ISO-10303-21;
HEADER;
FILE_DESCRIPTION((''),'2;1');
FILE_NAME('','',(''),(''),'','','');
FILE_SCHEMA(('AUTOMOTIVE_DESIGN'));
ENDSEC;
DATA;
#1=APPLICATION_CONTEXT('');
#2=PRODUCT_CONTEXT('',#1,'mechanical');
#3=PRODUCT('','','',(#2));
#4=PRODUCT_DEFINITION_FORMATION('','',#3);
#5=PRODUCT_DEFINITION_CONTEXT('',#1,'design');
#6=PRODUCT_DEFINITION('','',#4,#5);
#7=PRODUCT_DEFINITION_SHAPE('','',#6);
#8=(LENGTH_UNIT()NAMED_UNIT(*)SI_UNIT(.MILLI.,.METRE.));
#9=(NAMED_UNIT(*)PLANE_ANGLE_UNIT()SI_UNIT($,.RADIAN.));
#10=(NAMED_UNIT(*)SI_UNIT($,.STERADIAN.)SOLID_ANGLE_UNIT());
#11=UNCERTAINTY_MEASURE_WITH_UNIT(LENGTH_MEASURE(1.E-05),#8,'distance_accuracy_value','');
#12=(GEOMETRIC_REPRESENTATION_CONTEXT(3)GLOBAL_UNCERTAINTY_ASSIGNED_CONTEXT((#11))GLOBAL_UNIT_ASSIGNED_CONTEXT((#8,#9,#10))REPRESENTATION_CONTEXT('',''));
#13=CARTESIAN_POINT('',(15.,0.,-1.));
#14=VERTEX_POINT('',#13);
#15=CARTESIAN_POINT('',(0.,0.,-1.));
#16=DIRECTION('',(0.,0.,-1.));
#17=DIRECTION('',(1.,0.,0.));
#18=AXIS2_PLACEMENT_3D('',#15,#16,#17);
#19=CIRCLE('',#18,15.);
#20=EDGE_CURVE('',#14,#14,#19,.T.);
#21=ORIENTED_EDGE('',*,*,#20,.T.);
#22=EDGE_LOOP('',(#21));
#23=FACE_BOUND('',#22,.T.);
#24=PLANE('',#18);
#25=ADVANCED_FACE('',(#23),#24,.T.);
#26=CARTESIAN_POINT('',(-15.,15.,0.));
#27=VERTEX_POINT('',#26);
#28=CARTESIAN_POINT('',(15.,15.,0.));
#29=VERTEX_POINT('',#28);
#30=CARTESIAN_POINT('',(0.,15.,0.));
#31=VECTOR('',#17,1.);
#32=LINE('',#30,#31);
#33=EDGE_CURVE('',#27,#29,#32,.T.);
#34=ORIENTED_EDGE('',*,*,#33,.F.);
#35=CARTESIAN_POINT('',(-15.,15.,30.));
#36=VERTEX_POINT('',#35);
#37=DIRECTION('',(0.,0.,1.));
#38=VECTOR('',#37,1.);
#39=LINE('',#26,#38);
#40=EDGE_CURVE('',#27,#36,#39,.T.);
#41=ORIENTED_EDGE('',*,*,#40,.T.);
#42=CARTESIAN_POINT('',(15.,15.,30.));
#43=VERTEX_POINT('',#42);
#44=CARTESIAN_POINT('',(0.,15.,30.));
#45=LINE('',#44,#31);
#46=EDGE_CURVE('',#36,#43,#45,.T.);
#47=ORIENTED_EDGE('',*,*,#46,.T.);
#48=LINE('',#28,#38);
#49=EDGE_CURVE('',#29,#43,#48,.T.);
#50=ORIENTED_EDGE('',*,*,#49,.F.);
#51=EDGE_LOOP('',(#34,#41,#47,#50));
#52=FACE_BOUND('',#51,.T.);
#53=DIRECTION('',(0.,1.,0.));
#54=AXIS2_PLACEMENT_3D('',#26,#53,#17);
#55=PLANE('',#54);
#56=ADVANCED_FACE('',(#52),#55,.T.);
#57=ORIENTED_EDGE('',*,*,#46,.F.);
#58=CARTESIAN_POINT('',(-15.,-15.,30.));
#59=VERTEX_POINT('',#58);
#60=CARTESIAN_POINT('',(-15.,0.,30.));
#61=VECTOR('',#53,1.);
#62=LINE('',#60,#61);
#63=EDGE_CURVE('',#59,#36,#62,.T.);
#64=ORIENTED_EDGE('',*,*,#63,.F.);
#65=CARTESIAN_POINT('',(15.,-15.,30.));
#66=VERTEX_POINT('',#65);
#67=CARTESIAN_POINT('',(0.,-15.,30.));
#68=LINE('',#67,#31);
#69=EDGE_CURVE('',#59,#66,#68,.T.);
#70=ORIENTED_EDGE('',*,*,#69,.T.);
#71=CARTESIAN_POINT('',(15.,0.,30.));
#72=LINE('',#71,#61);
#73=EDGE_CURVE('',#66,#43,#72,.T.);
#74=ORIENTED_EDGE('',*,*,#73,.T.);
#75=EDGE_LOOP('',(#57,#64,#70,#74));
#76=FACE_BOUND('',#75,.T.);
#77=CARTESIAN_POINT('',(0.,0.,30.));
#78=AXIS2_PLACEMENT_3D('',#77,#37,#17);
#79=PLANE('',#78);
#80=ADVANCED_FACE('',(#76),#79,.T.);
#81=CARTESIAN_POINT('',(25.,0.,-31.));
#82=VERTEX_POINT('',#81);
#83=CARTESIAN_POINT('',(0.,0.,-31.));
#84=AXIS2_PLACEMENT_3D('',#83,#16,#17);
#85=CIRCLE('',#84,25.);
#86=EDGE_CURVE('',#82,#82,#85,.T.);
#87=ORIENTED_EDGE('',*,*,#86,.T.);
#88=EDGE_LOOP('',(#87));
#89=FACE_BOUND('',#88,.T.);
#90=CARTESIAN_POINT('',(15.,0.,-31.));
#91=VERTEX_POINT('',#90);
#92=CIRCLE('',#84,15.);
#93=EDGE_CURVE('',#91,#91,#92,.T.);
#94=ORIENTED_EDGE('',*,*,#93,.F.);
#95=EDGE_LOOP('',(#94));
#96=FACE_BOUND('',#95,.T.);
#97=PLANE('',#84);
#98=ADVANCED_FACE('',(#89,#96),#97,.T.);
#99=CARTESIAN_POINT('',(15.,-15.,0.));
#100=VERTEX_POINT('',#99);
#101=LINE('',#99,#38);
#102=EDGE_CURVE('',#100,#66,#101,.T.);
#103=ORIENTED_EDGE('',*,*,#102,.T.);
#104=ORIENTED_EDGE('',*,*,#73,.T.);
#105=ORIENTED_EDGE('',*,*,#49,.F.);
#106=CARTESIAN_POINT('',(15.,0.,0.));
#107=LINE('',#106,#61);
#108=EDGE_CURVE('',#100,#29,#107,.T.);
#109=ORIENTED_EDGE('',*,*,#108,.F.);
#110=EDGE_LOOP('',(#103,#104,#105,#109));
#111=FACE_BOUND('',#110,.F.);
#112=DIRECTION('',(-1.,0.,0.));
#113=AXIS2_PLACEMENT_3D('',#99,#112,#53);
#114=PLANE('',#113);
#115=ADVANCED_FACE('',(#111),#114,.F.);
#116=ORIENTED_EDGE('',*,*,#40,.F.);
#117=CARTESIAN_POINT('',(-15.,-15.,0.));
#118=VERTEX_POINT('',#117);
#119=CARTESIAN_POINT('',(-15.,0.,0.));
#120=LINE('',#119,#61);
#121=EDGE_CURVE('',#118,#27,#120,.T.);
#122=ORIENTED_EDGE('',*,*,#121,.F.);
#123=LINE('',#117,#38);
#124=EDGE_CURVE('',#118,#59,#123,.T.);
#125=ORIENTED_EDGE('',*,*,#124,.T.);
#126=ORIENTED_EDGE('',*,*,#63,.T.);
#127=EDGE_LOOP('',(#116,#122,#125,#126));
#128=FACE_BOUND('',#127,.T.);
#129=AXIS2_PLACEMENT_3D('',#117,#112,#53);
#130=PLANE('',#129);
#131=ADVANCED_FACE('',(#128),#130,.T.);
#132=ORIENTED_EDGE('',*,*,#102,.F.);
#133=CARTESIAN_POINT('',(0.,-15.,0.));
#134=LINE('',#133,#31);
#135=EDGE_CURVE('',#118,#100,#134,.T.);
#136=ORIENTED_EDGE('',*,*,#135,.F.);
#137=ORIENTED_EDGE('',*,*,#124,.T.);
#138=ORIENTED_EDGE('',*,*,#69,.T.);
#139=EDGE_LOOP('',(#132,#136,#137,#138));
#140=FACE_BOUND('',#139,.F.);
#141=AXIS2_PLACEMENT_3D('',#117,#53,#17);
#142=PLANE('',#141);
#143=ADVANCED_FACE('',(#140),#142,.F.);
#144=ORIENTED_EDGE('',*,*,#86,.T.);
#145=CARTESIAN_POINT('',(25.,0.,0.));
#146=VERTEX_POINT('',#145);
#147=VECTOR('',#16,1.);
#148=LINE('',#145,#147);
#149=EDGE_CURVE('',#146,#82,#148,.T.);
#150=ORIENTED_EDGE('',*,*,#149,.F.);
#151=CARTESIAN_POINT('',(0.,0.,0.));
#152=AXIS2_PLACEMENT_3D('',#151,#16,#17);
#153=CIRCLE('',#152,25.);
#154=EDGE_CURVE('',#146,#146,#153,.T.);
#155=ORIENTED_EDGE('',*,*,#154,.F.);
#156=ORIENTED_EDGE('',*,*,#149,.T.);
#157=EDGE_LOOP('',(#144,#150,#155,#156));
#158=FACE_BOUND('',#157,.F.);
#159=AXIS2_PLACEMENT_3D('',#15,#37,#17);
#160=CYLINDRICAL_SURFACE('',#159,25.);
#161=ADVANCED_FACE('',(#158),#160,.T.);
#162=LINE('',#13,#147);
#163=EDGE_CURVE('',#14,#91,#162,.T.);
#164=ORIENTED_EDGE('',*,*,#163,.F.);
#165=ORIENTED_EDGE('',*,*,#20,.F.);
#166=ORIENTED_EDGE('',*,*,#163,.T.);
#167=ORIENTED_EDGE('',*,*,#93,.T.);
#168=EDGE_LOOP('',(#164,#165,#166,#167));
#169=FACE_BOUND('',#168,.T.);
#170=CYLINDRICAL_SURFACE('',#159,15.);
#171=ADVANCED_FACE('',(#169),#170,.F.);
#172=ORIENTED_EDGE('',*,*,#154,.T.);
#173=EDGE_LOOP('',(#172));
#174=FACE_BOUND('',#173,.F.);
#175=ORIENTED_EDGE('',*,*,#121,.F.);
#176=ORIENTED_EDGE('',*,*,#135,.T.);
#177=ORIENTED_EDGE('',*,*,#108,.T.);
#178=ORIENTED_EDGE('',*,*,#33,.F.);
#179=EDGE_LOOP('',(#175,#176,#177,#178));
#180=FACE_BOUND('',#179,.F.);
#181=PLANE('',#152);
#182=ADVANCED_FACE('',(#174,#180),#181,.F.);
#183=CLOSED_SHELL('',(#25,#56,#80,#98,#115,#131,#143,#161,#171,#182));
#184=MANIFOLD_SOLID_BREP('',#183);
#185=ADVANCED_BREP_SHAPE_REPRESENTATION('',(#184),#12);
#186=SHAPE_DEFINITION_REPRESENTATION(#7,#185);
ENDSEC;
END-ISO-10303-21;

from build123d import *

# Parameters (mm, degrees)
F0_W     = 30
F0_H     = 30
F1_DEPTH = 30
F2_R     = 25
F3_DEPTH = 1
F4_R     = 25
F4_R_2   = 15
F5_DEPTH = 30


with BuildPart() as f1:
    # F0 (on Top) → F1 (new body)
    with BuildSketch(Plane.XY):
        Rectangle(F0_W, F0_H)
    extrude(amount=F1_DEPTH)

    # F2 (on face) → F3 (join)
    with BuildSketch(Plane(origin=(0, 0, 0), x_dir=(1, 0, 0), z_dir=(0, 0, -1))):
        Circle(F2_R)
        Polygon((15, 15), (15, 0), (15, -15), (0, -15), (-15, -15), (-15, 3.9e-09), (-15, 15), (0, 15), align=None, mode=Mode.SUBTRACT)
        with BuildLine():
            ThreePointArc((0, -15), (10.6066017178, -10.6066017178), (15, 0))
            ThreePointArc((15, 0), (10.6066017178, 10.6066017178), (0, 15))
            ThreePointArc((0, 15), (-10.6066017164, 10.6066017192), (-15, 3.9e-09))
            ThreePointArc((-15, 3.9e-09), (-10.6066017192, -10.6066017164), (0, -15))
        make_face()
        with BuildLine():
            ThreePointArc((-15, 3.9e-09), (-10.6066017164, 10.6066017192), (0, 15))
            Line((0, 15), (-15, 15))
            Line((-15, 15), (-15, 3.9e-09))
        make_face()
        with BuildLine():
            ThreePointArc((0, 15), (10.6066017178, 10.6066017178), (15, 0))
            Line((15, 0), (15, 15))
            Line((15, 15), (0, 15))
        make_face()
        with BuildLine():
            Line((15, -15), (15, 0))
            ThreePointArc((15, 0), (10.6066017178, -10.6066017178), (0, -15))
            Line((0, -15), (15, -15))
        make_face()
        with BuildLine():
            Line((-15, -15), (0, -15))
            ThreePointArc((0, -15), (-10.6066017192, -10.6066017164), (-15, 3.9e-09))
            Line((-15, 3.9e-09), (-15, -15))
        make_face()
    extrude(amount=F3_DEPTH)

    # F4 (on face) → F5 (join)
    with BuildSketch(Plane(origin=(0, 0, -1), x_dir=(1, 0, 0), z_dir=(0, 0, -1))):
        Circle(F4_R)
        Circle(F4_R_2, mode=Mode.SUBTRACT)
    extrude(amount=F5_DEPTH)


solid = f1.part
